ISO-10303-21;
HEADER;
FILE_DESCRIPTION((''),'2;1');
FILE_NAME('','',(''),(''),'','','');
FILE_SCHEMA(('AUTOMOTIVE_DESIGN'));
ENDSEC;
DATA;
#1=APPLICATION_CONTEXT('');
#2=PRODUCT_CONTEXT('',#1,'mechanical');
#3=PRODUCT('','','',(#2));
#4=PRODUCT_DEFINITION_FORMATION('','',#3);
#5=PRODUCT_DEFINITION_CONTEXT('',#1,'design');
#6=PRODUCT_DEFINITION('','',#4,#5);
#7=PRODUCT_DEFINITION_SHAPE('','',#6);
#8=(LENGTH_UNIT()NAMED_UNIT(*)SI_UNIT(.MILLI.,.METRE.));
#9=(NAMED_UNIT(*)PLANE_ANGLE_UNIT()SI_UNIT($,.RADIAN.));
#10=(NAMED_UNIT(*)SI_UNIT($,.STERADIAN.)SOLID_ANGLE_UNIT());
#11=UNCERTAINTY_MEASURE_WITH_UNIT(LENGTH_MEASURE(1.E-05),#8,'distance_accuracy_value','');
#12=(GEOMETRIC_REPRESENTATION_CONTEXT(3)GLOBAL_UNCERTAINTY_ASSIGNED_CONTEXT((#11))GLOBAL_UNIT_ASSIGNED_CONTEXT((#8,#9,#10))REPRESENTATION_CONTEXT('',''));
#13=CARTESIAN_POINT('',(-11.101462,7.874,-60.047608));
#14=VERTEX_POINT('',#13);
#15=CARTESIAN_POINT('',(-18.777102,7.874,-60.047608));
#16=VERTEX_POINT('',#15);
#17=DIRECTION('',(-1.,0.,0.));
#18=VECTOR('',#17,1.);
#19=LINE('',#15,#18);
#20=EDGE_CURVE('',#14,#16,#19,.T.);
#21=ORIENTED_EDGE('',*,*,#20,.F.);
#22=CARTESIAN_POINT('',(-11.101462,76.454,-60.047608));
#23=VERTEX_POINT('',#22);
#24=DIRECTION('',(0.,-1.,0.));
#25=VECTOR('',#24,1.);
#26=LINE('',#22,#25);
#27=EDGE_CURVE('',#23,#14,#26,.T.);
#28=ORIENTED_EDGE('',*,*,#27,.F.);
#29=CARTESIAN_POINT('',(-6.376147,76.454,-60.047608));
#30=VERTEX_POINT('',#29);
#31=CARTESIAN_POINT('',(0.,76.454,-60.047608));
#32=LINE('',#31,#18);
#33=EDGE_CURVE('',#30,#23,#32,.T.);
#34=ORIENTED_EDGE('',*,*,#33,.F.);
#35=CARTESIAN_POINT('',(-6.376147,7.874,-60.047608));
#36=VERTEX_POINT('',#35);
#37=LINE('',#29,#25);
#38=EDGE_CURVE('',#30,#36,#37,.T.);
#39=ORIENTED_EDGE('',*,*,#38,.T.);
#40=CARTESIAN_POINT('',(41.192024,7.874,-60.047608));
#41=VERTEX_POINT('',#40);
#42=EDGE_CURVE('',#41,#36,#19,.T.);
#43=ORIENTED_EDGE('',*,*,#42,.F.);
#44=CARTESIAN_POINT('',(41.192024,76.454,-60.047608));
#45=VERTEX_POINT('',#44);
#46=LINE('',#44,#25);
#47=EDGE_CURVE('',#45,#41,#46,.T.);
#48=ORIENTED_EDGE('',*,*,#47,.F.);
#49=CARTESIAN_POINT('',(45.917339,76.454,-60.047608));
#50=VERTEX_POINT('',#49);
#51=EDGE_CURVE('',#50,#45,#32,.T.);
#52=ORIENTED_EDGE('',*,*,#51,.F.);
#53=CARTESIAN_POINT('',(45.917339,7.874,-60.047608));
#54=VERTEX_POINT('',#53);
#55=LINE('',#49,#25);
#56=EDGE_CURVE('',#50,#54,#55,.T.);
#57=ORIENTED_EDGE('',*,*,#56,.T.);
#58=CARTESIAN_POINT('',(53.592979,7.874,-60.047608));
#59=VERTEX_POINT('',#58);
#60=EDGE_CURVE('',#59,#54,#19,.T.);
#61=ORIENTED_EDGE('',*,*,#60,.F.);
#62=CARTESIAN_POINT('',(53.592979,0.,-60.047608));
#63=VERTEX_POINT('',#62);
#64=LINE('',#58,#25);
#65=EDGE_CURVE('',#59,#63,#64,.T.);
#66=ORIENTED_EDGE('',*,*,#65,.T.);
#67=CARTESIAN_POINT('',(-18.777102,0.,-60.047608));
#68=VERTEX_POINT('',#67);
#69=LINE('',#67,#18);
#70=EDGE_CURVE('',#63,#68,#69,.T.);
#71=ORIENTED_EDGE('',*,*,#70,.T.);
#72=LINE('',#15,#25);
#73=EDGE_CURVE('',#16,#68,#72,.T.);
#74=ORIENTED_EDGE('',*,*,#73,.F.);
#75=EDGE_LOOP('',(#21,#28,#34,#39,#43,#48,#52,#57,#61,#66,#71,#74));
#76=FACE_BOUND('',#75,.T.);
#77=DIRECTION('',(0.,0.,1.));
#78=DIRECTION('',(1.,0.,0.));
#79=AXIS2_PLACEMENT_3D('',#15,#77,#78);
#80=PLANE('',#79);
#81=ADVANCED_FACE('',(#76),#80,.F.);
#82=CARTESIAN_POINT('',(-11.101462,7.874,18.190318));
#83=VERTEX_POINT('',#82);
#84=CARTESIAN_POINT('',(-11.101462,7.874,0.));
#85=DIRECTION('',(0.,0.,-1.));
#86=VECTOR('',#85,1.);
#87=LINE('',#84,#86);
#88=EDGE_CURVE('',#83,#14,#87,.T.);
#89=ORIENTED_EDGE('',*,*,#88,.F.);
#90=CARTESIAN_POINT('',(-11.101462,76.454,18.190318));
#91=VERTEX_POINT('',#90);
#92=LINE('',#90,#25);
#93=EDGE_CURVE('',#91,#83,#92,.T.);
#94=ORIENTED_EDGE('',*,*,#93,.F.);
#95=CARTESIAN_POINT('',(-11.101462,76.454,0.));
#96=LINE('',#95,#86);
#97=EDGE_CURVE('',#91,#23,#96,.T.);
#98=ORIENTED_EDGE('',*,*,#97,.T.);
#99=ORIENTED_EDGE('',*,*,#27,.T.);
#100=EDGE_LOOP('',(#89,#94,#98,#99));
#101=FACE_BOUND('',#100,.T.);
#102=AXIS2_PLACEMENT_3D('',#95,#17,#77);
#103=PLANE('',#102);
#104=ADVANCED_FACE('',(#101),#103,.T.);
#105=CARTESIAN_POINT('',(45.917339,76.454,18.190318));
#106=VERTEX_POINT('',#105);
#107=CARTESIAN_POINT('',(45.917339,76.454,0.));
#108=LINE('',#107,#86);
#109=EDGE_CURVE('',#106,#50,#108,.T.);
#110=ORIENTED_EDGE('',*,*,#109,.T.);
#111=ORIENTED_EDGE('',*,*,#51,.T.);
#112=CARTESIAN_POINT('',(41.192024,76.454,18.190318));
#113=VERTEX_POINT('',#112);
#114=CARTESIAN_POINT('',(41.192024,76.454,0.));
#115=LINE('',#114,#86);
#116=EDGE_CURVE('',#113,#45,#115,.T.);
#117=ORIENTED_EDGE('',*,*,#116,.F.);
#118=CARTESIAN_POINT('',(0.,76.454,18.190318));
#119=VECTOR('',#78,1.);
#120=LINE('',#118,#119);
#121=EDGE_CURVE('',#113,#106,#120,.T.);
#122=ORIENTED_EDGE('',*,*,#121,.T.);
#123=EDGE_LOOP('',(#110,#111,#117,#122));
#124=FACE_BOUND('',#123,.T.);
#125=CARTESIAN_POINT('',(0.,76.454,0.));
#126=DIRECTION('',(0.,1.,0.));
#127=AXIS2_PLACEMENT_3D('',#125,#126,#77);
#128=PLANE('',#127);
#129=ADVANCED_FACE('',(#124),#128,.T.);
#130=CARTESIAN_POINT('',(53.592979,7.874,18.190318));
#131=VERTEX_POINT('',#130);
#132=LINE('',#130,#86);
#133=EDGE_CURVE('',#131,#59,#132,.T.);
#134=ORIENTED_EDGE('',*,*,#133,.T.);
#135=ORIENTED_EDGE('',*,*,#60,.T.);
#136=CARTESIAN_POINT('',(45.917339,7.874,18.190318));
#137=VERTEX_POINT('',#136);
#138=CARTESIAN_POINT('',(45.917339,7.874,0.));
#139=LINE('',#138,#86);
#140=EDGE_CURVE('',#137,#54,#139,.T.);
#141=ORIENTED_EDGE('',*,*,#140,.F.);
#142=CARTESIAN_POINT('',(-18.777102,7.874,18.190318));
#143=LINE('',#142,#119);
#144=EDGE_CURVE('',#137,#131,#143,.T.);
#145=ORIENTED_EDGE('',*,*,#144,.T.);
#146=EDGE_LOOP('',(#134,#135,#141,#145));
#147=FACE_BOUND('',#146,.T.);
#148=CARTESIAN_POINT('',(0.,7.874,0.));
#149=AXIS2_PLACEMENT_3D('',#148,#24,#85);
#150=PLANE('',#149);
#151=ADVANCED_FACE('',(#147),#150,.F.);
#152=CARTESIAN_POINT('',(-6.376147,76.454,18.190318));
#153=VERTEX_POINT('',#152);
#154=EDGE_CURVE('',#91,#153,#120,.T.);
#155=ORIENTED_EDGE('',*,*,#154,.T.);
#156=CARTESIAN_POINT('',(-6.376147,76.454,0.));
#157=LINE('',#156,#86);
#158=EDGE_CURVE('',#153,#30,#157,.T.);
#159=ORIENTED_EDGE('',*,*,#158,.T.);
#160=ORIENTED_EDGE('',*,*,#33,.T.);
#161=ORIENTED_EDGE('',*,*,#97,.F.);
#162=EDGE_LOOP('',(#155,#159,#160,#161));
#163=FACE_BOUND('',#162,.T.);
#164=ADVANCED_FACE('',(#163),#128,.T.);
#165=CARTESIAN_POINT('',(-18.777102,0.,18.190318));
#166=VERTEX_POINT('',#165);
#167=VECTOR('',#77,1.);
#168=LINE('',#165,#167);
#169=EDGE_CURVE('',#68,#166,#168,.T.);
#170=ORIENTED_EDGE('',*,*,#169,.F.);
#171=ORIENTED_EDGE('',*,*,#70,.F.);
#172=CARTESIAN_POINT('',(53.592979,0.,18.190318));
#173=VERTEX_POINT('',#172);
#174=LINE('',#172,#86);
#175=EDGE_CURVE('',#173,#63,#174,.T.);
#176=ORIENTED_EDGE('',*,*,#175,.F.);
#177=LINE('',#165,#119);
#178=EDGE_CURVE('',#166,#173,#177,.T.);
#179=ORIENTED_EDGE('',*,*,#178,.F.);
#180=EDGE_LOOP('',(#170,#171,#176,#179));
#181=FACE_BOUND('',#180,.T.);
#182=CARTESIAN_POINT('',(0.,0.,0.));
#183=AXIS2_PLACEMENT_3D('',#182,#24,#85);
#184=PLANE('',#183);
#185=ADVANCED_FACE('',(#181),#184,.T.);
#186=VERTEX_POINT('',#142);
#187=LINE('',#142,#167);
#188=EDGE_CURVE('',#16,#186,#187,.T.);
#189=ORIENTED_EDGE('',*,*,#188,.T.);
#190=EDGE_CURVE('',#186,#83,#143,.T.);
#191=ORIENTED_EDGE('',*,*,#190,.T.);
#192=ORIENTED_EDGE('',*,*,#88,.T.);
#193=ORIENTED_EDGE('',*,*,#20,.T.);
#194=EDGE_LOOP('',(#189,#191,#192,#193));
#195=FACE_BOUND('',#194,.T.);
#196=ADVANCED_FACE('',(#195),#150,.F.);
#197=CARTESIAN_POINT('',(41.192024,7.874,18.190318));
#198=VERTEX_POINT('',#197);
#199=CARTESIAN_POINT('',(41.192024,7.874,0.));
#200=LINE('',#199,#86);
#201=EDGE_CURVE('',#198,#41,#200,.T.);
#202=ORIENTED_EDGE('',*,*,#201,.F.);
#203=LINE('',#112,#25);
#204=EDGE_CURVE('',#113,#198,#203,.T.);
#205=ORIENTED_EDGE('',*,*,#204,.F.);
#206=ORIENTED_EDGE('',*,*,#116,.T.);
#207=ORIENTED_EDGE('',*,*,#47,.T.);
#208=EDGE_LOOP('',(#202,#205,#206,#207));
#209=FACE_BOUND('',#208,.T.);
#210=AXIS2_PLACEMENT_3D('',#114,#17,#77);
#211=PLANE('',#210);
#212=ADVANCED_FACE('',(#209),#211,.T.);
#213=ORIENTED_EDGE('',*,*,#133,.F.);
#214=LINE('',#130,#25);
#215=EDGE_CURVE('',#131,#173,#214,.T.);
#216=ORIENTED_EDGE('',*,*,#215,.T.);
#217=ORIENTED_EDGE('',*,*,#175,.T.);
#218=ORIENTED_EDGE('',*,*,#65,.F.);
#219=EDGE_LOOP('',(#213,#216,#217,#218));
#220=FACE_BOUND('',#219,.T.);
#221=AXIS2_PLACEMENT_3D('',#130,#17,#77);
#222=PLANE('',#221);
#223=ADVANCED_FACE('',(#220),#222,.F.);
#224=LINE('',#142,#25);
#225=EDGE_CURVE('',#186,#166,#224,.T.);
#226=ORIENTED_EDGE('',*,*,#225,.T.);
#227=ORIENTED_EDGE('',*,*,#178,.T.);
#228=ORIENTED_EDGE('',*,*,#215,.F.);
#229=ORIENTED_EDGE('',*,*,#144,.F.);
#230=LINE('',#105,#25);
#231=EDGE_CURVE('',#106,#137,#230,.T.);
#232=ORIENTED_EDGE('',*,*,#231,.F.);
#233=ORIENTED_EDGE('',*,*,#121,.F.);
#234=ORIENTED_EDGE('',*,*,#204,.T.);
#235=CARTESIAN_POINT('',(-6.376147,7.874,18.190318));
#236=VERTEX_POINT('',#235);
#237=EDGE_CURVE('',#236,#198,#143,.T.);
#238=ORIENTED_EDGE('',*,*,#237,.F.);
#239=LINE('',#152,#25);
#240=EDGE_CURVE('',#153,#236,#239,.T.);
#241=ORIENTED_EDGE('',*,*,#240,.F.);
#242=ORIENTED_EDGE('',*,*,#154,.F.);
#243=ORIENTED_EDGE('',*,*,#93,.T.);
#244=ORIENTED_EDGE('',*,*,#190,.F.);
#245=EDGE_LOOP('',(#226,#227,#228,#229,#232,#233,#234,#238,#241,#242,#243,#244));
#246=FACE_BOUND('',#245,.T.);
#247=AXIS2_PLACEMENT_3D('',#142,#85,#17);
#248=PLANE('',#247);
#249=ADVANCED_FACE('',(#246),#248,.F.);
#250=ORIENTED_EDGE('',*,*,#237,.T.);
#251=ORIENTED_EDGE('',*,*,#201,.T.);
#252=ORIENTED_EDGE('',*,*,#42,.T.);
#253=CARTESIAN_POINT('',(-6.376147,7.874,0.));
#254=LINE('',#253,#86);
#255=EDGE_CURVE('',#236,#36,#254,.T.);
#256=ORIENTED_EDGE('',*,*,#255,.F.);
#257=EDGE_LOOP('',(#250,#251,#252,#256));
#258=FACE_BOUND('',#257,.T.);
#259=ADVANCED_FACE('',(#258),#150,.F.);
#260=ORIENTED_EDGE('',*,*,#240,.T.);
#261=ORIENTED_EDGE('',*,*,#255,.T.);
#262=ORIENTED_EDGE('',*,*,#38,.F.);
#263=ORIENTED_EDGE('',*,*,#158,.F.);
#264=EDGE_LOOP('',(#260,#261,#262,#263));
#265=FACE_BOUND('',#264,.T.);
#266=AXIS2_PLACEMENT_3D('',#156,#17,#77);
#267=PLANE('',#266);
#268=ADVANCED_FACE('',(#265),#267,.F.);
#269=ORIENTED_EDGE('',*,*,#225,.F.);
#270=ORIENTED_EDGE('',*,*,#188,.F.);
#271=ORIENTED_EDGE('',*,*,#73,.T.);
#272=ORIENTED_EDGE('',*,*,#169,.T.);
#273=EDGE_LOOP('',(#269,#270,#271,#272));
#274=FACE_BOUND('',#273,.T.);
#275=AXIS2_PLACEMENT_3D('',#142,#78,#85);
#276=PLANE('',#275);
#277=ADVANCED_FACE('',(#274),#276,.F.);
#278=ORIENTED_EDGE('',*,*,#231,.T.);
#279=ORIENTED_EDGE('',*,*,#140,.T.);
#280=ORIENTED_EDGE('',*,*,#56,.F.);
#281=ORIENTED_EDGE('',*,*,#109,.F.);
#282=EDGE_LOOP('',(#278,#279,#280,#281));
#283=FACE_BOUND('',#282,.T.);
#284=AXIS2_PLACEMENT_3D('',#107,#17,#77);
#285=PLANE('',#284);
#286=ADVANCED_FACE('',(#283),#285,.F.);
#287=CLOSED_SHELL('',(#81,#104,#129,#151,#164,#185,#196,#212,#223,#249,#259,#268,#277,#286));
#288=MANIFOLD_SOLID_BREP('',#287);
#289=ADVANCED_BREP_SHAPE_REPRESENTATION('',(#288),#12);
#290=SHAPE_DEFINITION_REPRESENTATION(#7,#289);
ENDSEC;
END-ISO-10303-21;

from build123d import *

# Parameters (mm, degrees)
SKETCH1_W           = 72.370080969
SKETCH1_H           = 78.237925372
BOSS_EXTRUDE1_DEPTH = 7.874
BOSS_EXTRUDE3_DEPTH = 68.58


with BuildPart() as part:
    # Sketch1 → Boss-Extrude1 (new body)
    with BuildSketch(Plane(origin=(0, 0, 0), x_dir=(1, 0, 0), z_dir=(0, 1, 0))):
        with Locations((17.407938396, 20.928645037)):
            Rectangle(SKETCH1_W, SKETCH1_H)
    extrude(amount=BOSS_EXTRUDE1_DEPTH)

    # Sketch2 → Boss-Extrude3 (add)
    with BuildSketch(Plane(origin=(0, 7.874, 0), x_dir=(1, 0, 0), z_dir=(0, 1, 0))):
        Polygon((41.192023567, 60.047607723), (41.192023567, 20.928645037), (41.192023567, -18.190317649), (45.917338502, -18.190317649), (45.917338502, 60.047607723), align=None)
        Polygon((-6.376146777, -18.190317649), (-6.376146777, 20.928645037), (-6.376146777, 60.047607723), (-11.101461711, 60.047607723), (-11.101461711, -18.190317649), align=None)
    extrude(amount=BOSS_EXTRUDE3_DEPTH)


solid = part.part
